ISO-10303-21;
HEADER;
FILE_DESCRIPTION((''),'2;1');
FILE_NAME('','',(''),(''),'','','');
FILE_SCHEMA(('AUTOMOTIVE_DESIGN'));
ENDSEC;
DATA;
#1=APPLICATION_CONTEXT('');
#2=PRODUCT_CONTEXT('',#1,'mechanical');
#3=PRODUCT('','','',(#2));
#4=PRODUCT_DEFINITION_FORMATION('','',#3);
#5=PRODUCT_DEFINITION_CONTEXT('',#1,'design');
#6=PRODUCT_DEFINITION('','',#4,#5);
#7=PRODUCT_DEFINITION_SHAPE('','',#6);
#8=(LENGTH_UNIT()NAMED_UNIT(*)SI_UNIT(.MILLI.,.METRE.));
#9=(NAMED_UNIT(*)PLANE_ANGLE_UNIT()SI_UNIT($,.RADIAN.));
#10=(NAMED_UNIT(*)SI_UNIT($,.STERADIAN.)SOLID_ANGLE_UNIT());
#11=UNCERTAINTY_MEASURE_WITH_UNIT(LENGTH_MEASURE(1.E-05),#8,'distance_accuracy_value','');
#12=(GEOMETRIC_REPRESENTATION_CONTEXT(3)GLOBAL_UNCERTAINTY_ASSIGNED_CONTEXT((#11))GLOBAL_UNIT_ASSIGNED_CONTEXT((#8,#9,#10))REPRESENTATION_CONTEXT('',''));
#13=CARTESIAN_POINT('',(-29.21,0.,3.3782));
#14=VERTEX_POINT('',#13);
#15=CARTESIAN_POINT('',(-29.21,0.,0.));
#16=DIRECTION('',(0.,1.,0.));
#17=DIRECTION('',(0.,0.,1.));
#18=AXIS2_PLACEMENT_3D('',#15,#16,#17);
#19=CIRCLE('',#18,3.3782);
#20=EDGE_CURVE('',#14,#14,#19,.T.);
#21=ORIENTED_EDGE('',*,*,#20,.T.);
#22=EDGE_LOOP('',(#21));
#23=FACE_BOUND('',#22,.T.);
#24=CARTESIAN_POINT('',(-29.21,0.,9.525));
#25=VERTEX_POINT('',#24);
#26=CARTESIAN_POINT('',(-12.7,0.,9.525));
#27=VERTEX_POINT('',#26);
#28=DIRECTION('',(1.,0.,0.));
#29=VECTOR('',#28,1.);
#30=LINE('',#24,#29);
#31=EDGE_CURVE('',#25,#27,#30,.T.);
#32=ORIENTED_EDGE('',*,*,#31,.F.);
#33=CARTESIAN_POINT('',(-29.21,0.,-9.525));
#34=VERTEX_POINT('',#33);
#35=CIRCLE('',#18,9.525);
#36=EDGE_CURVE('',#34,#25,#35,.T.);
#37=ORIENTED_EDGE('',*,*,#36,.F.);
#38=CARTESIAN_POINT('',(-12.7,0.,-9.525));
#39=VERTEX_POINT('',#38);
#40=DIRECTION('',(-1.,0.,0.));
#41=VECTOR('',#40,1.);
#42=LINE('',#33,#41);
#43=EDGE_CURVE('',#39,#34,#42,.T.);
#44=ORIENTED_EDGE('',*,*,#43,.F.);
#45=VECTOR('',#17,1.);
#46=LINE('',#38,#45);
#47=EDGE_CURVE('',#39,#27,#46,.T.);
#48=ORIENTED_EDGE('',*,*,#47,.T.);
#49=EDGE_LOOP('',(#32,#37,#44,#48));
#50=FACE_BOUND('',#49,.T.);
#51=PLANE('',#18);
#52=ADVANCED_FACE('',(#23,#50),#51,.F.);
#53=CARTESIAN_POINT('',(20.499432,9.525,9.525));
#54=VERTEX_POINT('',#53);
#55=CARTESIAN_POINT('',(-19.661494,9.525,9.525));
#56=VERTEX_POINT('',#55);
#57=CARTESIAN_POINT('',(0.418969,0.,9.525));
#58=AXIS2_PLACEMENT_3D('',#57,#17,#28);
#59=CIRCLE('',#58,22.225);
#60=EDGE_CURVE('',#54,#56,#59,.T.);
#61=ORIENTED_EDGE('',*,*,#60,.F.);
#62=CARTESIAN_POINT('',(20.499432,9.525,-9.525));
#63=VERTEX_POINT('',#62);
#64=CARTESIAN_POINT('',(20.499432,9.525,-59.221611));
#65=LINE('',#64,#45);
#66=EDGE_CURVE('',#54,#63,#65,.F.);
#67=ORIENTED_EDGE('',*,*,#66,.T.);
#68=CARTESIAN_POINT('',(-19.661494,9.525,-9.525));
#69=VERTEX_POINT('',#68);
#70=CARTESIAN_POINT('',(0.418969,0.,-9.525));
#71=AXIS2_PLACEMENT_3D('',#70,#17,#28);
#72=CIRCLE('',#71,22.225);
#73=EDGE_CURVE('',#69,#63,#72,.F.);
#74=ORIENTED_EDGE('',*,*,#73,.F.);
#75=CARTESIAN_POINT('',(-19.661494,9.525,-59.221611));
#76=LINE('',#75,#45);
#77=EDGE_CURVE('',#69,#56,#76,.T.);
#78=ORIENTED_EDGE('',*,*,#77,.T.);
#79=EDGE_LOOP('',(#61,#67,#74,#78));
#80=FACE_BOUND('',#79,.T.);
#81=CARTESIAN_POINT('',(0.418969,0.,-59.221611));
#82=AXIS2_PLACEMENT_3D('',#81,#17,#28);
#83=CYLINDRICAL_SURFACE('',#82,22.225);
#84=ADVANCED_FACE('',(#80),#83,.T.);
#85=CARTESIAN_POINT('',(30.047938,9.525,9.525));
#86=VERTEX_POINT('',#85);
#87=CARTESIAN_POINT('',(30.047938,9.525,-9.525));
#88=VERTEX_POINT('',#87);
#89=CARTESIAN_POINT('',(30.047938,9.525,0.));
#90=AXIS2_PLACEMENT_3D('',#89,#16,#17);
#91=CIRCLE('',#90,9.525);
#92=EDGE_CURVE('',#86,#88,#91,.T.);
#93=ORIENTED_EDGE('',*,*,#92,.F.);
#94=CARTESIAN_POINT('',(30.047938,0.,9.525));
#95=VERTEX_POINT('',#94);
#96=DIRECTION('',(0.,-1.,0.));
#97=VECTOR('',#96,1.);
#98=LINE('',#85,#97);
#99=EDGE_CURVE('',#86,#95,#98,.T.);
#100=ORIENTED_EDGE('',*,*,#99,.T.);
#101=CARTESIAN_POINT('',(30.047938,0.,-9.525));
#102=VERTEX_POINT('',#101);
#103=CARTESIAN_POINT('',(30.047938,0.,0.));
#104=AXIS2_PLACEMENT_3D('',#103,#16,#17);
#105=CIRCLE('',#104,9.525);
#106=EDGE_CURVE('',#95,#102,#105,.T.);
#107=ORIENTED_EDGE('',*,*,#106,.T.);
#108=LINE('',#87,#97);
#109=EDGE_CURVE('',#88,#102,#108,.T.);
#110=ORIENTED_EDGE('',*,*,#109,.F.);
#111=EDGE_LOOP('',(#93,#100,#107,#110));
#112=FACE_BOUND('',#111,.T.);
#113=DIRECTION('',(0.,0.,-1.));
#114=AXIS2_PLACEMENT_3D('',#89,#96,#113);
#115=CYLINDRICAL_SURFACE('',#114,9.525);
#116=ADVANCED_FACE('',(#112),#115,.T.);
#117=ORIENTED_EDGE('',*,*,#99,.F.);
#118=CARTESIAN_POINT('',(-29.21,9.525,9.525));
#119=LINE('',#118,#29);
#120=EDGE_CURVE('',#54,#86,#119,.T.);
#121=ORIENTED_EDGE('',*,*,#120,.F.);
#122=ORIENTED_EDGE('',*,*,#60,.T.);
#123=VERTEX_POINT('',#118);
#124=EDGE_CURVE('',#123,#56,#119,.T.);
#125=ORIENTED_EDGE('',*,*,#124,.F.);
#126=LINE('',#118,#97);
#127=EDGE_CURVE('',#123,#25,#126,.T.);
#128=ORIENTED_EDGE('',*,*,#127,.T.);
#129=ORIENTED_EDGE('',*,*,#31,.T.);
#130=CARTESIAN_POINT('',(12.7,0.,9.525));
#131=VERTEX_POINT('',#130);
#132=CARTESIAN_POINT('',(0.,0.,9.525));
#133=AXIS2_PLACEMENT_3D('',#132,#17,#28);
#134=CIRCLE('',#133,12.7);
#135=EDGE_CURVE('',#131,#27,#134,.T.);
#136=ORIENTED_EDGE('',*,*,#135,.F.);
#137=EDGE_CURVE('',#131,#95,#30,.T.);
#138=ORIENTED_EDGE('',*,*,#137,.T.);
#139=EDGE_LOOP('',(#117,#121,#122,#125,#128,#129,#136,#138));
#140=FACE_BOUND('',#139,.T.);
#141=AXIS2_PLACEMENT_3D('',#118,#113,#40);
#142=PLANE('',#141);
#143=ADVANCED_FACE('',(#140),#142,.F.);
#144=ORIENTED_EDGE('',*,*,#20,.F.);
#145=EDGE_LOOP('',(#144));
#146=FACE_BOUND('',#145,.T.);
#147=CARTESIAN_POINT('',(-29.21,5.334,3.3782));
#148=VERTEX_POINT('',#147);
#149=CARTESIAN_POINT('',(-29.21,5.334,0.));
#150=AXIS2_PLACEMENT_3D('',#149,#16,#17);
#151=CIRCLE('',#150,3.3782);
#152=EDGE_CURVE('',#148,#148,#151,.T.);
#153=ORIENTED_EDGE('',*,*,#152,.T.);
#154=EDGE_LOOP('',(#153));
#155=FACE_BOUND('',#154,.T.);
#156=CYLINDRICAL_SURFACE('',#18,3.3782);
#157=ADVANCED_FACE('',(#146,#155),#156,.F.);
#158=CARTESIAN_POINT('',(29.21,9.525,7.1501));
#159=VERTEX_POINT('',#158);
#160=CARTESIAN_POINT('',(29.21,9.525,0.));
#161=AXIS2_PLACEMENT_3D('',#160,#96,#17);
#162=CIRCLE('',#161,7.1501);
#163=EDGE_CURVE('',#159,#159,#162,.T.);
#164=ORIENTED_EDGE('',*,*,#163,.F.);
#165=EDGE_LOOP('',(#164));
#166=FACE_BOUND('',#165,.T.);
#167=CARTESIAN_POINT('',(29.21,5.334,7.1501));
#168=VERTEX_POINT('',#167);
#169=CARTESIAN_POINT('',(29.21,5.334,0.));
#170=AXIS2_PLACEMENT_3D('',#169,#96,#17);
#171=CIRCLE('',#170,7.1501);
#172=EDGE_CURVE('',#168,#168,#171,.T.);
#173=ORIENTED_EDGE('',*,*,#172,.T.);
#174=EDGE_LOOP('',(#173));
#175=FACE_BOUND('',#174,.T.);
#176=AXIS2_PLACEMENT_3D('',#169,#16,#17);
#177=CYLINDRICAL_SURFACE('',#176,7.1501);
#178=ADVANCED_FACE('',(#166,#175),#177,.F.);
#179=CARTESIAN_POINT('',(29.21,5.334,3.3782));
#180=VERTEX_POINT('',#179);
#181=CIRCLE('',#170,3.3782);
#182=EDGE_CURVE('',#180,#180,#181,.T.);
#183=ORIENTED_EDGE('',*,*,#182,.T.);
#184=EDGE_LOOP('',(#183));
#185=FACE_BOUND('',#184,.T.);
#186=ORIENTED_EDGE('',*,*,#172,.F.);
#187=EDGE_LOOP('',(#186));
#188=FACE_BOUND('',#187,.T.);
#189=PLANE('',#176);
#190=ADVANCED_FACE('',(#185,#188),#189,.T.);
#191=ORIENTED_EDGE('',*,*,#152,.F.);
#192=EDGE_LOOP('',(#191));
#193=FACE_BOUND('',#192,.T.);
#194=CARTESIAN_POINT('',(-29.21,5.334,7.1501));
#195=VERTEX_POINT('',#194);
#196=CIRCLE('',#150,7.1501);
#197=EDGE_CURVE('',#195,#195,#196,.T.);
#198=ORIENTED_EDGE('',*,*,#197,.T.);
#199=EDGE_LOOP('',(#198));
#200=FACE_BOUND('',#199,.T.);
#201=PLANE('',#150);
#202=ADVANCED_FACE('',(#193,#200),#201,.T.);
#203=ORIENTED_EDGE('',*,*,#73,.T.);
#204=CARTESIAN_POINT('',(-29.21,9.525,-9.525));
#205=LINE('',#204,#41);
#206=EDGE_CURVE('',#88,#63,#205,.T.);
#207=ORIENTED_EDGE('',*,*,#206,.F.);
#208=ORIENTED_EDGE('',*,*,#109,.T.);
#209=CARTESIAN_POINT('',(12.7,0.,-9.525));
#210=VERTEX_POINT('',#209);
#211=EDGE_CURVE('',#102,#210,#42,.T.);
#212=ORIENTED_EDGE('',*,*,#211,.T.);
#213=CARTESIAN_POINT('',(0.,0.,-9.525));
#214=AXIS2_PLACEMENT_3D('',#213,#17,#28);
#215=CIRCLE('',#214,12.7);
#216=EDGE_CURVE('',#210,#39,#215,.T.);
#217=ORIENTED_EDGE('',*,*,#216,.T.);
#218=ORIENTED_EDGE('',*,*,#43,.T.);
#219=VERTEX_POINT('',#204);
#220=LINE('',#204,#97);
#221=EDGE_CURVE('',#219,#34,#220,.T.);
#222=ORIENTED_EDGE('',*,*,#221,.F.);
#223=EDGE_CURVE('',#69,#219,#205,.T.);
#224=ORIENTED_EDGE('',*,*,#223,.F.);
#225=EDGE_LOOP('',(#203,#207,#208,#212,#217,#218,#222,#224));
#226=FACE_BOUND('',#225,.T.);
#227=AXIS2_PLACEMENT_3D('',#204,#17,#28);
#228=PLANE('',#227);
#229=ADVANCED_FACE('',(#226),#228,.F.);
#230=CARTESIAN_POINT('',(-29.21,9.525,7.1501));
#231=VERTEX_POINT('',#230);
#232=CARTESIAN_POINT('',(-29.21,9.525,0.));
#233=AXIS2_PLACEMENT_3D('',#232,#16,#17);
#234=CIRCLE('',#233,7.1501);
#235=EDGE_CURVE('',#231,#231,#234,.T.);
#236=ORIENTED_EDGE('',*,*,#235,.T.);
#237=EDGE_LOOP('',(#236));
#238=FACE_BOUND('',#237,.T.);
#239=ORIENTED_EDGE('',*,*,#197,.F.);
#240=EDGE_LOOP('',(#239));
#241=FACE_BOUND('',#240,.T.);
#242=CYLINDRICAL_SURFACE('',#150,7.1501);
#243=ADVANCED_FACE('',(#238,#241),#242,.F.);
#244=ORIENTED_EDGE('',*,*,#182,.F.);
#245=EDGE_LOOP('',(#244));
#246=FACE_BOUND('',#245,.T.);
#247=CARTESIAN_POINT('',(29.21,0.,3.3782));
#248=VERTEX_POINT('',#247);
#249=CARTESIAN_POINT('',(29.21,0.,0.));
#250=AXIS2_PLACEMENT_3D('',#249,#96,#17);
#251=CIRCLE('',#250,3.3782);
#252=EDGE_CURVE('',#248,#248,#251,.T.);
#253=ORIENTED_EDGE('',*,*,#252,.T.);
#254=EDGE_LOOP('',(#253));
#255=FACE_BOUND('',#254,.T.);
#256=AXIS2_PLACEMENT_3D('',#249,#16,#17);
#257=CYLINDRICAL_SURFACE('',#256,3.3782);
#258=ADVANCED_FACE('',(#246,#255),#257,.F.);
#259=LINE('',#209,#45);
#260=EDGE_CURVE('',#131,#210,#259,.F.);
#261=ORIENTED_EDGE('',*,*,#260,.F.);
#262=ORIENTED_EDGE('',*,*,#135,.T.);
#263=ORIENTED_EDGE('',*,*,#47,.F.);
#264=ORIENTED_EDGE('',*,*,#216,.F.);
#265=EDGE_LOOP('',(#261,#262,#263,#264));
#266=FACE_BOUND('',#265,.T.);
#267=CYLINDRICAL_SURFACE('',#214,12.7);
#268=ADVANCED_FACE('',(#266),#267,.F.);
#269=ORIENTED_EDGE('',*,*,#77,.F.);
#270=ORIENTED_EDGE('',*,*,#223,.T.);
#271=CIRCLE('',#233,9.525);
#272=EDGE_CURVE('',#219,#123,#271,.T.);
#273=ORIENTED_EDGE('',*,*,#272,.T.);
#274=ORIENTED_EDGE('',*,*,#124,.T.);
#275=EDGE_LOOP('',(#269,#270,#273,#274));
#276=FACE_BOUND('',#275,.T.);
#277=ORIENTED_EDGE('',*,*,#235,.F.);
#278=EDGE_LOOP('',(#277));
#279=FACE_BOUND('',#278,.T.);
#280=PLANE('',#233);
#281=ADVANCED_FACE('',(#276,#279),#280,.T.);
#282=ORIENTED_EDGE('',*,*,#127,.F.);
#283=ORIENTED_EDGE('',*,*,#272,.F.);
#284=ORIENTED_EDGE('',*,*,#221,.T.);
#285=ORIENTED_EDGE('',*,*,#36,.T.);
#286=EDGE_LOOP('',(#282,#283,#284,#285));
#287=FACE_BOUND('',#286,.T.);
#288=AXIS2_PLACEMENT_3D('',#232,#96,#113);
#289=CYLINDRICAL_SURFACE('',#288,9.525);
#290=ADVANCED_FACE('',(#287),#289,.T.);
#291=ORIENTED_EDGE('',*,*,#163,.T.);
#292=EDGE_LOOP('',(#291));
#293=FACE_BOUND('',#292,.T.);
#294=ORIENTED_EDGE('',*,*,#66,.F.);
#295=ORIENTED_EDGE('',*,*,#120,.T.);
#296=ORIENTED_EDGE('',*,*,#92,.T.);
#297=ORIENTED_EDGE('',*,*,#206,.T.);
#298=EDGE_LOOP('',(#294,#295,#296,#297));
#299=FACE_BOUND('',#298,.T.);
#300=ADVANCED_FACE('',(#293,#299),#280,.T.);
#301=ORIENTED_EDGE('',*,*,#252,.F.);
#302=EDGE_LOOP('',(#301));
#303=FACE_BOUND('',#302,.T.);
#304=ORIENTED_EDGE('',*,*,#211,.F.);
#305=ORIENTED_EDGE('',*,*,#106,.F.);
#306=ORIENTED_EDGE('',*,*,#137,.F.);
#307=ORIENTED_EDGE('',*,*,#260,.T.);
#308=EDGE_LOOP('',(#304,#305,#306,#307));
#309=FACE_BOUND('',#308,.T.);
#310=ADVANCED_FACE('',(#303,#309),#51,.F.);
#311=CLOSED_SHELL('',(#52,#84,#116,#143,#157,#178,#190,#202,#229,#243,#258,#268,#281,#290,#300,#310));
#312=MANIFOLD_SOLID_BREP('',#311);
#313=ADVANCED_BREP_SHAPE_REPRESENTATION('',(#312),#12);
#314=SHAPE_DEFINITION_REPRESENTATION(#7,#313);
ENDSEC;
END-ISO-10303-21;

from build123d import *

# Parameters (mm, degrees)
BASE_EXTRUDE_DEPTH = 9.525
ARCH_EXTRUDE_DEPTH = 19.05
SKETCH3_R          = 12.7
ARCH_CUT_DEPTH     = 50.222663057
SKETCH4_R          = 7.1501
LARGE_CUT_DEPTH    = 4.191
SKETCH5_R          = 3.3782
SMALL_CUT_DEPTH    = 45.068684339


with BuildPart() as part:
    # Sketch1 → Base Extrude (new body)
    with BuildSketch(Plane(origin=(0, 0, 0), x_dir=(1, 0, 0), z_dir=(0, 1, 0))):
        with BuildLine():
            Line((-29.21, 9.525), (30.047938144, 9.525))
            ThreePointArc((30.047938144, 9.525), (39.572938144, 0), (30.047938144, -9.525))
            Line((30.047938144, -9.525), (-29.21, -9.525))
            ThreePointArc((-29.21, -9.525), (-38.735, 0), (-29.21, 9.525))
        make_face()
    extrude(amount=BASE_EXTRUDE_DEPTH)

    # Sketch2 → Arch Extrude (add)
    with BuildSketch(Plane.XY.offset(9.525)):
        with BuildLine():
            Line((-21.806030928, 0), (22.643969072, 0))
            ThreePointArc((22.643969072, 0), (22.101207406, 4.881717509), (20.499432214, 9.525))
            Line((20.499432214, 9.525), (-19.66149407, 9.525))
            ThreePointArc((-19.66149407, 9.525), (-21.263269262, 4.881717509), (-21.806030928, 0))
        make_face()
        with BuildLine():
            Line((-19.66149407, 9.525), (20.499432214, 9.525))
            ThreePointArc((20.499432214, 9.525), (0.418969072, 22.225), (-19.66149407, 9.525))
        make_face()
    extrude(amount=-ARCH_EXTRUDE_DEPTH)

    # Sketch3 → Arch Cut (cut, through all)
    with BuildSketch(Plane.XY.offset(9.525)):
        Circle(SKETCH3_R)
    extrude(amount=-ARCH_CUT_DEPTH, mode=Mode.SUBTRACT)

    # Sketch4 → Large Cut (cut)
    with BuildSketch(Plane(origin=(0, 9.525, 0), x_dir=(1, 0, 0), z_dir=(0, 1, 0))):
        with Locations(Location((-29.21, 0, 0), (0, 0, 270))):
            Circle(SKETCH4_R)
    large_cut = extrude(amount=-LARGE_CUT_DEPTH, mode=Mode.SUBTRACT)

    # Sketch5 → Small Cut (cut, through all)
    with BuildSketch(Plane(origin=(0, 5.334, 0), x_dir=(1, 0, 0), z_dir=(0, 1, 0))):
        with Locations(Location((-29.21, 0, 0), (0, 0, 270))):
            Circle(SKETCH5_R)
    small_cut = extrude(amount=-SMALL_CUT_DEPTH, mode=Mode.SUBTRACT)

    # Mirror 2: Large Cut, Small Cut across plane
    add(large_cut.mirror(Plane(origin=(0, 0, 0), x_dir=(0, 0, 1), z_dir=(1, 0, 0))), mode=Mode.SUBTRACT)
    add(small_cut.mirror(Plane(origin=(0, 0, 0), x_dir=(0, 0, 1), z_dir=(1, 0, 0))), mode=Mode.SUBTRACT)


solid = part.part
